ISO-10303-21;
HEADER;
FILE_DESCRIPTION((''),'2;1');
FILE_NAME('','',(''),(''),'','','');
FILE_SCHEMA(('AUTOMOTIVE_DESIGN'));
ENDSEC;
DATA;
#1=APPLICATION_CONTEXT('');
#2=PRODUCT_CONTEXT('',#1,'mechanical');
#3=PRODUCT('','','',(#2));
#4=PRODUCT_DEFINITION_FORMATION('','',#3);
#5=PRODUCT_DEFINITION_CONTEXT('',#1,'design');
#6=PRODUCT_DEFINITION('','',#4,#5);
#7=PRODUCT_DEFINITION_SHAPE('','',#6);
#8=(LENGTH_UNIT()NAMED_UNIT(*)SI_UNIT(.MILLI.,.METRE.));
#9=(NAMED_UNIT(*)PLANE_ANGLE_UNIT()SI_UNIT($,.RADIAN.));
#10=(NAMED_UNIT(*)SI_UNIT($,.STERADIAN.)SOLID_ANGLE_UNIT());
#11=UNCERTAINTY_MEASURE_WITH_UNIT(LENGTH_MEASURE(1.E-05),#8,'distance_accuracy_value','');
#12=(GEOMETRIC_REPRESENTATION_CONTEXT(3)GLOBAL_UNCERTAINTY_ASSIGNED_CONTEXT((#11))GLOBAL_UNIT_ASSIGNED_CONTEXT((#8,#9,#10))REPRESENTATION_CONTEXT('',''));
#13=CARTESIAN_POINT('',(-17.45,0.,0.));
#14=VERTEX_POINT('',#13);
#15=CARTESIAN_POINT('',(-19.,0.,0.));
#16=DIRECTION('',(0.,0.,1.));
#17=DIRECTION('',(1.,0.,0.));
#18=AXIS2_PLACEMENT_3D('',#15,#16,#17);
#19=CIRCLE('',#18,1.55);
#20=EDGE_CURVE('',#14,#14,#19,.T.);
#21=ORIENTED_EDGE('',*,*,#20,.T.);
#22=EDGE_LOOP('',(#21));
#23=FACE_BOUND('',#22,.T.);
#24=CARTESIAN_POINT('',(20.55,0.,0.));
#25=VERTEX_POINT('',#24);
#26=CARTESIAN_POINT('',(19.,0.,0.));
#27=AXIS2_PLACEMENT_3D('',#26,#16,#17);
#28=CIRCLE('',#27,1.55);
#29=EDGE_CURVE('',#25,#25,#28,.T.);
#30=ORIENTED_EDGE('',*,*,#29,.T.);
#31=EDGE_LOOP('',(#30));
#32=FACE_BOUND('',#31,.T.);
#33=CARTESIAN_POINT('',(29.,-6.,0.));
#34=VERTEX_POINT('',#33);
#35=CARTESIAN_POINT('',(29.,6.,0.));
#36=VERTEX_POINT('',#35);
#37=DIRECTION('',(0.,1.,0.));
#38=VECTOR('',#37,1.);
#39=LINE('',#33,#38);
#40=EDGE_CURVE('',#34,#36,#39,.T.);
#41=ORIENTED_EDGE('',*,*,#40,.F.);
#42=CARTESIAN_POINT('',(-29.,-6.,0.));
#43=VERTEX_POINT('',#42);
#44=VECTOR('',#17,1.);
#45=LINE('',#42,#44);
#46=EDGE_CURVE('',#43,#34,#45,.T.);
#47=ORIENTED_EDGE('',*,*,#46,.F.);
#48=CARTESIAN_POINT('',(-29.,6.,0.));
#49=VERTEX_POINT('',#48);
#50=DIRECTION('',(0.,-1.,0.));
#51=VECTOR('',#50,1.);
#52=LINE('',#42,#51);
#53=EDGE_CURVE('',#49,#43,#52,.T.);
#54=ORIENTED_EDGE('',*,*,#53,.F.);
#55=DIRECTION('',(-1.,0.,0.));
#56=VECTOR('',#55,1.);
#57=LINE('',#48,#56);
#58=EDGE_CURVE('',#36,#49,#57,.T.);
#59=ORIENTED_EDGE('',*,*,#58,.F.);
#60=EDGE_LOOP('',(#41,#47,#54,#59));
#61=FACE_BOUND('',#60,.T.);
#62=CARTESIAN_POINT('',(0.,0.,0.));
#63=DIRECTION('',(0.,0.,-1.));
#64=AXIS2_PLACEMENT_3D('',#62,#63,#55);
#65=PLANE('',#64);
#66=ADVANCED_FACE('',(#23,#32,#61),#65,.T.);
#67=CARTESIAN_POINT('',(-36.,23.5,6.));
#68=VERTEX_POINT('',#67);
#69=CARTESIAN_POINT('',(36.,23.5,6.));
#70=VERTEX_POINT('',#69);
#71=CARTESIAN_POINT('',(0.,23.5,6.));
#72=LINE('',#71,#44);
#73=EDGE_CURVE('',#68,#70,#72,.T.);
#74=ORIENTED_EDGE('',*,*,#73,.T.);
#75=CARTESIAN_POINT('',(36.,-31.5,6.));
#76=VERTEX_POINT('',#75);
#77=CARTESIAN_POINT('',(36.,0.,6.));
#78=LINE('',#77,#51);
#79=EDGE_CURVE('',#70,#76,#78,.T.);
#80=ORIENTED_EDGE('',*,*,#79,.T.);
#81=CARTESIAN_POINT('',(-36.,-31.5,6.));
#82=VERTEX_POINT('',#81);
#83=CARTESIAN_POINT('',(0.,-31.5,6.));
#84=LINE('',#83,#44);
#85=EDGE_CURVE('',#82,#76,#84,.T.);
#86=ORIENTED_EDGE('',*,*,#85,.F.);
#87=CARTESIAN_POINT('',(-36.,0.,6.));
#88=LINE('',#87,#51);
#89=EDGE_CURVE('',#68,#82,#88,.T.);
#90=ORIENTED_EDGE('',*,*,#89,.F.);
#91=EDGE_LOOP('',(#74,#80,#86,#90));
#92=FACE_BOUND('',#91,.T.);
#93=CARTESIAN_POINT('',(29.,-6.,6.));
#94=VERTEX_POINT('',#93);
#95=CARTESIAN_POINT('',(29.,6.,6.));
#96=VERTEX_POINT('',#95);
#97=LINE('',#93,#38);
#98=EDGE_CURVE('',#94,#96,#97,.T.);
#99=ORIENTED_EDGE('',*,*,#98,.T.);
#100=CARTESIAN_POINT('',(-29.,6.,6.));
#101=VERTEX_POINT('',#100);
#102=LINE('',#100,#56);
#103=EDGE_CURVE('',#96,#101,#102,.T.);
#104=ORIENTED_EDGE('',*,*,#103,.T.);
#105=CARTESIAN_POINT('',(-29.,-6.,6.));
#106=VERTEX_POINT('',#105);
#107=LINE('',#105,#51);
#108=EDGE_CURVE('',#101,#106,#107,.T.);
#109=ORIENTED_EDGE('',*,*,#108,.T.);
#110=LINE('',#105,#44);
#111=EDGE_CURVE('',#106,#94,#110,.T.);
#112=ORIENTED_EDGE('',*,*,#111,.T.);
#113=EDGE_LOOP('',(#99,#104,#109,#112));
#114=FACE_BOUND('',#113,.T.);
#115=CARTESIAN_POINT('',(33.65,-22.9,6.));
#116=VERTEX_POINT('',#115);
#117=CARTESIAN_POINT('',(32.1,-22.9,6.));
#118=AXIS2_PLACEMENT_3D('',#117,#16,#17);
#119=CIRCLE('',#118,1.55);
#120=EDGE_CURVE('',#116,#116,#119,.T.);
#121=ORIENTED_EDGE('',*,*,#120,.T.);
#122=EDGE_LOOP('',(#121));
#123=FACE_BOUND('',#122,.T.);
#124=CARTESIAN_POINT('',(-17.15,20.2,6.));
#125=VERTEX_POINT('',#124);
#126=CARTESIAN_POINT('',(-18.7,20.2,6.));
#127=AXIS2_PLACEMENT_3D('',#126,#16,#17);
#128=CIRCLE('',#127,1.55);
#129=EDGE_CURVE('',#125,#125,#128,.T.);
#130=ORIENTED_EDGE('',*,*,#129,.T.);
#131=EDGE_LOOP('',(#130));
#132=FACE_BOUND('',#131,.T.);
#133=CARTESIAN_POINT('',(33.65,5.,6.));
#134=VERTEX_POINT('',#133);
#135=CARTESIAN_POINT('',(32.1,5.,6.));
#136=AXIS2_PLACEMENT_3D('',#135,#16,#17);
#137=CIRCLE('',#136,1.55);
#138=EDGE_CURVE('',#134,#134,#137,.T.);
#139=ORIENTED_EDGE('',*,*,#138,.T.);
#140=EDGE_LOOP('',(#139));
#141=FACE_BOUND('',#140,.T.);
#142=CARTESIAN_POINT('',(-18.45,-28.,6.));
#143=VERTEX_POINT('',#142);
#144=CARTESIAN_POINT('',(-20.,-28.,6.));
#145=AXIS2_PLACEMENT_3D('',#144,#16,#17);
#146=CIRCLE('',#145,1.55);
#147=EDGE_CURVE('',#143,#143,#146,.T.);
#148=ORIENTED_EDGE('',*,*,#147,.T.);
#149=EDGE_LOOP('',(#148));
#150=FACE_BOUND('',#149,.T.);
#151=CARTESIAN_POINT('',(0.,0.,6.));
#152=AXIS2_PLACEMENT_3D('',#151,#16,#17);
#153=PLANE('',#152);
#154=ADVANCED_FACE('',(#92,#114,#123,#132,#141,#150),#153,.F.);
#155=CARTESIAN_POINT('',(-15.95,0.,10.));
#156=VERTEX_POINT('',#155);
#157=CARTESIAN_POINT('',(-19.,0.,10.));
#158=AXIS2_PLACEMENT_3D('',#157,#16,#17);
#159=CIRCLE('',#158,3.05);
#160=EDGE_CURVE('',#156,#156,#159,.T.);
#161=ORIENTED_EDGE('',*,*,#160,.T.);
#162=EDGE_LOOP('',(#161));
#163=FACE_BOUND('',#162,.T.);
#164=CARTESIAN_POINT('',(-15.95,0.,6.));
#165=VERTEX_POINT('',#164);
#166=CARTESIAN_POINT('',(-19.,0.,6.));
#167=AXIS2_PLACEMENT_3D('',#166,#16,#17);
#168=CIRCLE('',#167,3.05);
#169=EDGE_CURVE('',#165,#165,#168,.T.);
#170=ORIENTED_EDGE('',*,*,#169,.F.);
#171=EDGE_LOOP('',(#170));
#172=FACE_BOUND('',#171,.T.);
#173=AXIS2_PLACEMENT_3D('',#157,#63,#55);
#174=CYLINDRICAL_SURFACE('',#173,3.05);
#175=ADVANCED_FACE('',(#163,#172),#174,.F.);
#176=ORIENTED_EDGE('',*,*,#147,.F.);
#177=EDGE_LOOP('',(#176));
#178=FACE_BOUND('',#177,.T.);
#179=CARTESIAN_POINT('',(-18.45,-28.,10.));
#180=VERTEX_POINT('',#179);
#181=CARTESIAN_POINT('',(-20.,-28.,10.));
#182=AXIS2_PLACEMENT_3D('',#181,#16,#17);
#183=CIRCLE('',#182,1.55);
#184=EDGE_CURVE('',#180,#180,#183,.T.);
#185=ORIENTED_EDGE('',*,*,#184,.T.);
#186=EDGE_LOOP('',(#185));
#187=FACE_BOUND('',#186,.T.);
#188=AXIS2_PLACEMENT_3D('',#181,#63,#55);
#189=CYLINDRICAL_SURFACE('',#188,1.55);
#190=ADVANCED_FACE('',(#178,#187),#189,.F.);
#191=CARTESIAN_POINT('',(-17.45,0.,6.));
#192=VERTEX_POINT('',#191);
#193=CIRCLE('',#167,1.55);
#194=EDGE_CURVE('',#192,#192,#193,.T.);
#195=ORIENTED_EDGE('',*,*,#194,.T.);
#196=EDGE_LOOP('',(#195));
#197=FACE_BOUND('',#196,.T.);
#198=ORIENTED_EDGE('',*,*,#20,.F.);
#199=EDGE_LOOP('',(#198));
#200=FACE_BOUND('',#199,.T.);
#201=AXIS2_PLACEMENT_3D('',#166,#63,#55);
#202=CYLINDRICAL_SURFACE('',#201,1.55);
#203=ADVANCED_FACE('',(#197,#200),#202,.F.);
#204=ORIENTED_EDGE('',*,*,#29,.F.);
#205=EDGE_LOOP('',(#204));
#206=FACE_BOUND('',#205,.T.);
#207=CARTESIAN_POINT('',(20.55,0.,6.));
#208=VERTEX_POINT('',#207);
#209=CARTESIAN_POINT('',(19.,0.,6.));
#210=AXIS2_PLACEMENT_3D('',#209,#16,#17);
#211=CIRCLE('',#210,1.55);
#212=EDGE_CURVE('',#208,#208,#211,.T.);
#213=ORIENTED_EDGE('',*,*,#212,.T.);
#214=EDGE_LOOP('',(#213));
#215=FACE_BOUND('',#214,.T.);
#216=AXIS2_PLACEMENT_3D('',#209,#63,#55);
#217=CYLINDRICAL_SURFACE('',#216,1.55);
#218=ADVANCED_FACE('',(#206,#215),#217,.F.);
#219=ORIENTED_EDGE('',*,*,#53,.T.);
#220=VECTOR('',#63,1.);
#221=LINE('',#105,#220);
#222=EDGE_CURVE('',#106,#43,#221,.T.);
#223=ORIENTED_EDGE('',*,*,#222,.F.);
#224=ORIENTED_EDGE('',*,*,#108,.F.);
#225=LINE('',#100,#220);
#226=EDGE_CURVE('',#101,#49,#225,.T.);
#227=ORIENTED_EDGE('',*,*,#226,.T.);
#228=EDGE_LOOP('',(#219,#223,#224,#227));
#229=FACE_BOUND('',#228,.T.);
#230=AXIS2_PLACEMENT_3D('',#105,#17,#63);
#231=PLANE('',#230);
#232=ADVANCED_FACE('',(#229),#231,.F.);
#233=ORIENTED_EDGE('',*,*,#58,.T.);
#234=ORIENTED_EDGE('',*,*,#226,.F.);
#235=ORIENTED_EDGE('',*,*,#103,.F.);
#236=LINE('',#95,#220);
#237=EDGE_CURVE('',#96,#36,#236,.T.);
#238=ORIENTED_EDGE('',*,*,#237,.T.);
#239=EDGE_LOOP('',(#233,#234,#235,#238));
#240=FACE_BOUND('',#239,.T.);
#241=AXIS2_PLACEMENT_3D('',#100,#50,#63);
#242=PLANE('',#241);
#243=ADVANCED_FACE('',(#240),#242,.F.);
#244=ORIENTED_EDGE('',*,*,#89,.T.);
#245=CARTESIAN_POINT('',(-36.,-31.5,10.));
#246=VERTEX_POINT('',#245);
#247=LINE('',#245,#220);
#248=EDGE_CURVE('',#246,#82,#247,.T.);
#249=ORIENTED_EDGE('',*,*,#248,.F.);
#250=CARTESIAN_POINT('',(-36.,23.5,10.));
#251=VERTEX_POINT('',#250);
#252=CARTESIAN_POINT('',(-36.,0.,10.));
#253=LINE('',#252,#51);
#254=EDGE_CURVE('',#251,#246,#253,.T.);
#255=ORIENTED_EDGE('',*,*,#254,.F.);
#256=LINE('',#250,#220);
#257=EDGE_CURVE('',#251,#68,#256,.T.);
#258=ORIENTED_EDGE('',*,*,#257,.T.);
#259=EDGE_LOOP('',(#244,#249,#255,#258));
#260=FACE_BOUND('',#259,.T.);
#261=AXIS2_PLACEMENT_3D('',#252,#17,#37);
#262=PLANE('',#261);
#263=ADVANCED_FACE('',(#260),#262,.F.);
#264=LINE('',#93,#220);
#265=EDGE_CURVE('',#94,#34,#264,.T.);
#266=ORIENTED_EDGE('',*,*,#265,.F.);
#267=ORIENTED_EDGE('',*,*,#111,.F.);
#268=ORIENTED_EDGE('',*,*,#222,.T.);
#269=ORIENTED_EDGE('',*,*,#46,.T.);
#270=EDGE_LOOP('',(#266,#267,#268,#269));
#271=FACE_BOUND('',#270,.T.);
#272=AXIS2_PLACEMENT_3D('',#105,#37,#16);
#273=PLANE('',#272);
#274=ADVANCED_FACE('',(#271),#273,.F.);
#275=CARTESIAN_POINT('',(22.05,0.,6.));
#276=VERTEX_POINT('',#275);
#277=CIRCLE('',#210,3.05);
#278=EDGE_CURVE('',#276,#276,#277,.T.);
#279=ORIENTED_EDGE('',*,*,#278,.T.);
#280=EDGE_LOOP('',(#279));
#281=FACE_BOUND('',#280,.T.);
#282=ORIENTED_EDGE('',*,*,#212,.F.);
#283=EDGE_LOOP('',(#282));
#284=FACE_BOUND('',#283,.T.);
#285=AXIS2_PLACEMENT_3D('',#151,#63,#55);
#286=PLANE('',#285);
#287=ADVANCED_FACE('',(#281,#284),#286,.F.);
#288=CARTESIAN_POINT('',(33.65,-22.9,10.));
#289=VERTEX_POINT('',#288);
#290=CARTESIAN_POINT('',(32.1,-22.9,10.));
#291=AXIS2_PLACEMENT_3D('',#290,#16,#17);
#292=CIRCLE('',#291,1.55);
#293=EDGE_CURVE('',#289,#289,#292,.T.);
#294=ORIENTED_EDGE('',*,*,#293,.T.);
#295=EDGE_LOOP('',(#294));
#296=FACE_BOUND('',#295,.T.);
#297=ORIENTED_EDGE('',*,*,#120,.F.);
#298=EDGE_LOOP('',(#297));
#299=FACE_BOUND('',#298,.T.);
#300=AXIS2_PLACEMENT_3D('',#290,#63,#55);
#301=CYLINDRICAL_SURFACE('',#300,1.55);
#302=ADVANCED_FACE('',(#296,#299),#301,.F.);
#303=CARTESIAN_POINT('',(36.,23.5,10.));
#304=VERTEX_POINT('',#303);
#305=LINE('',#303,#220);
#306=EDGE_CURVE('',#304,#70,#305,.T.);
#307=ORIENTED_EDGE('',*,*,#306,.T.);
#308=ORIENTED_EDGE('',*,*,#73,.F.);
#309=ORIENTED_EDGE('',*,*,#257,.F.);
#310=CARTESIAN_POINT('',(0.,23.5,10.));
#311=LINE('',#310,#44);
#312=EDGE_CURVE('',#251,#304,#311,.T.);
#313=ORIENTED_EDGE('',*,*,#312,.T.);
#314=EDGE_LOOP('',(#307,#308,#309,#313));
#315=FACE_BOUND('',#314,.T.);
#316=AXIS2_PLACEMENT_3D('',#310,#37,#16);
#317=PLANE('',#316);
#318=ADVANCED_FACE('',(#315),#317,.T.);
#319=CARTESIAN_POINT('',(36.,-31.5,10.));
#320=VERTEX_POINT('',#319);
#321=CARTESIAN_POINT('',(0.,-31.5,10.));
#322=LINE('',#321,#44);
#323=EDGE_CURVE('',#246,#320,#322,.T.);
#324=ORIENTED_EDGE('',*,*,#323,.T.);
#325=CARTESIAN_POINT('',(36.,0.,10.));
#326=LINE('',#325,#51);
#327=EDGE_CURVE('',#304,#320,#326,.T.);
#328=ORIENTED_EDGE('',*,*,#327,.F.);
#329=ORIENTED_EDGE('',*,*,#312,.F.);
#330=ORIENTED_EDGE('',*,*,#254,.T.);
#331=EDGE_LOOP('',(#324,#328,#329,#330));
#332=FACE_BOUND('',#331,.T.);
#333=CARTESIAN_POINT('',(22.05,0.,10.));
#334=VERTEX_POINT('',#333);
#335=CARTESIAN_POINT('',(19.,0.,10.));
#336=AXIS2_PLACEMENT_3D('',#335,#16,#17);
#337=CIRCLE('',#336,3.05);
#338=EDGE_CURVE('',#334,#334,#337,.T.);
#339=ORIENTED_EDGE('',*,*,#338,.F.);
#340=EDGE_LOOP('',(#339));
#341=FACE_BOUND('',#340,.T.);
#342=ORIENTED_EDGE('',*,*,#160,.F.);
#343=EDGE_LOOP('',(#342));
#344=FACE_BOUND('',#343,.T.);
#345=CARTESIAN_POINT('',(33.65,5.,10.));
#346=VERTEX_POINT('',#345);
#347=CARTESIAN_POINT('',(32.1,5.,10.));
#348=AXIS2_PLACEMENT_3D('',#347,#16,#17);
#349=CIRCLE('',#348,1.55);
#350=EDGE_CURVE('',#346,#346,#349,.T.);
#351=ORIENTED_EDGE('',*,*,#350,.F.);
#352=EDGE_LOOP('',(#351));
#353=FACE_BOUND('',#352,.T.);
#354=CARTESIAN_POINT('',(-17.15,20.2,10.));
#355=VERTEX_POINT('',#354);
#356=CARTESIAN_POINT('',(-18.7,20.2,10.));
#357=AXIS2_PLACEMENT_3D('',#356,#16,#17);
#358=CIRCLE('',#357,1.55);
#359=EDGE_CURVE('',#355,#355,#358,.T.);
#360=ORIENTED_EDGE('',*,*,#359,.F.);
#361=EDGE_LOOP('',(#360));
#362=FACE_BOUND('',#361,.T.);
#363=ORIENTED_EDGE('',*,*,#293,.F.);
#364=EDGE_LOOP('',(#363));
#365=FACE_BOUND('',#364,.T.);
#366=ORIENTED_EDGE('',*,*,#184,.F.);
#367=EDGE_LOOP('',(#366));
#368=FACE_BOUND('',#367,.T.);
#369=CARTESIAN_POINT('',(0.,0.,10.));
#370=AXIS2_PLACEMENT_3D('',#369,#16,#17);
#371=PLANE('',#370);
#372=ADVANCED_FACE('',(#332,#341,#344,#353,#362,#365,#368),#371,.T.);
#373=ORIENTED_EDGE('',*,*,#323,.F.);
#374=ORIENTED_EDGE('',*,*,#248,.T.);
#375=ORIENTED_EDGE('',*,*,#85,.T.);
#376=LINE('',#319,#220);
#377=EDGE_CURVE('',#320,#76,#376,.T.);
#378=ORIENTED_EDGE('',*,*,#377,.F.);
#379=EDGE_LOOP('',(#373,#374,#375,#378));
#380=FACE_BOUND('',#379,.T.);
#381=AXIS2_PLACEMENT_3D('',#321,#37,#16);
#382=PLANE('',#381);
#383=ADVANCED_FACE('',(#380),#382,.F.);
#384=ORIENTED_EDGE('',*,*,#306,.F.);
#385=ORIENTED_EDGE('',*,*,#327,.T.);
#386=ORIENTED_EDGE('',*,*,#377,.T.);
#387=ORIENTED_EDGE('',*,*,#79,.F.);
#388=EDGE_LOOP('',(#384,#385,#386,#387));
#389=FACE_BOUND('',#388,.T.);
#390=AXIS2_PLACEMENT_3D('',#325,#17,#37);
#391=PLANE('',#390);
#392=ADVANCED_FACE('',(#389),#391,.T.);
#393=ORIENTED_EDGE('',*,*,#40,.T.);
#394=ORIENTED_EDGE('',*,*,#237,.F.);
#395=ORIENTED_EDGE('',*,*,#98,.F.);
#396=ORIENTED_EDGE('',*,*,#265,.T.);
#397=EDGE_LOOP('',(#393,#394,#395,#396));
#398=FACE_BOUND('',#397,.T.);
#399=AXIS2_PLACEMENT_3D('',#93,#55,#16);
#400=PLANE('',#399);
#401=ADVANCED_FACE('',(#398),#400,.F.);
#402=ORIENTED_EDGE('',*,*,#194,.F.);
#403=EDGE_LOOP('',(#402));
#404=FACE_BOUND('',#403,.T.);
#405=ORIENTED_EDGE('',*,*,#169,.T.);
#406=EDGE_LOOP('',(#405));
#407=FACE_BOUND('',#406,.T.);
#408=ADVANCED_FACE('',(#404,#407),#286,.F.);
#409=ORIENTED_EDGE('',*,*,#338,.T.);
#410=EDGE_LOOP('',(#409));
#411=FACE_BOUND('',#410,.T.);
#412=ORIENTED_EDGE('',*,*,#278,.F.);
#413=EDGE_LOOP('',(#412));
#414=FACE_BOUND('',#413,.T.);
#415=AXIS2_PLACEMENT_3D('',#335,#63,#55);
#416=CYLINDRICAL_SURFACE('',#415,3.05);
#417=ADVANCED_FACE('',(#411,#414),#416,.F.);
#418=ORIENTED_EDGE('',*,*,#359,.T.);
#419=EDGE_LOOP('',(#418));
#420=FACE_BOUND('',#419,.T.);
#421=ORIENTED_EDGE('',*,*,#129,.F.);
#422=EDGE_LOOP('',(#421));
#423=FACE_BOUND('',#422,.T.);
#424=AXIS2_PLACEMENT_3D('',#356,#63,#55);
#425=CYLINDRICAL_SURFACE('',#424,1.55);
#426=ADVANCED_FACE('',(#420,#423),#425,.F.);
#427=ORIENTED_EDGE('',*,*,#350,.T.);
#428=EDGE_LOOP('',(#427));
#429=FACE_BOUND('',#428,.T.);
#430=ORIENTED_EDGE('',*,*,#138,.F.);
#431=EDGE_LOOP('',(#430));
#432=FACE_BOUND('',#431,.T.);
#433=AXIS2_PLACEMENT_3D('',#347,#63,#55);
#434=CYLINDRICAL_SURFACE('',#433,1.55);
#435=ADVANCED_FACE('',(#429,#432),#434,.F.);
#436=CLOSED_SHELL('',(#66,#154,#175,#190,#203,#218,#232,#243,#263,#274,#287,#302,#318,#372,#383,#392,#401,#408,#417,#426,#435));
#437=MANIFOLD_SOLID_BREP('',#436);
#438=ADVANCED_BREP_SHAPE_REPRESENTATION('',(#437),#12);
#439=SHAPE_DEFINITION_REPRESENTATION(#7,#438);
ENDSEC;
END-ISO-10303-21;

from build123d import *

# Parameters (mm, degrees)
SKETCH1_W           = 58
SKETCH1_H           = 12
SKETCH1_R           = 1.55
BOSS_EXTRUDE1_DEPTH = 6
SKETCH2_W           = 72
SKETCH2_H           = 55
SKETCH2_R           = 1.55
SKETCH2_R_2         = 3.05
BOSS_EXTRUDE2_DEPTH = 4


with BuildPart() as part:
    # Sketch1 → Boss-Extrude1 (new body)
    with BuildSketch(Plane.XY):
        Rectangle(SKETCH1_W, SKETCH1_H)
        with Locations((-19, 0)):
            Circle(SKETCH1_R, mode=Mode.SUBTRACT)
        with Locations((19, 0)):
            Circle(SKETCH1_R, mode=Mode.SUBTRACT)
    extrude(amount=BOSS_EXTRUDE1_DEPTH)

    # Sketch2 → Boss-Extrude2 (add)
    with BuildSketch(Plane.XY.offset(6)):
        with Locations((0, -4)):
            Rectangle(SKETCH2_W, SKETCH2_H)
        with Locations((32.1, 5)):
            Circle(SKETCH2_R, mode=Mode.SUBTRACT)
        with Locations((-20, -28)):
            Circle(SKETCH2_R, mode=Mode.SUBTRACT)
        with Locations((-18.7, 20.2)):
            Circle(SKETCH2_R, mode=Mode.SUBTRACT)
        with Locations((32.1, -22.9)):
            Circle(SKETCH2_R, mode=Mode.SUBTRACT)
        with Locations((-19, 0)):
            Circle(SKETCH2_R_2, mode=Mode.SUBTRACT)
        with Locations((19, 0)):
            Circle(SKETCH2_R_2, mode=Mode.SUBTRACT)
    extrude(amount=BOSS_EXTRUDE2_DEPTH)


solid = part.part
